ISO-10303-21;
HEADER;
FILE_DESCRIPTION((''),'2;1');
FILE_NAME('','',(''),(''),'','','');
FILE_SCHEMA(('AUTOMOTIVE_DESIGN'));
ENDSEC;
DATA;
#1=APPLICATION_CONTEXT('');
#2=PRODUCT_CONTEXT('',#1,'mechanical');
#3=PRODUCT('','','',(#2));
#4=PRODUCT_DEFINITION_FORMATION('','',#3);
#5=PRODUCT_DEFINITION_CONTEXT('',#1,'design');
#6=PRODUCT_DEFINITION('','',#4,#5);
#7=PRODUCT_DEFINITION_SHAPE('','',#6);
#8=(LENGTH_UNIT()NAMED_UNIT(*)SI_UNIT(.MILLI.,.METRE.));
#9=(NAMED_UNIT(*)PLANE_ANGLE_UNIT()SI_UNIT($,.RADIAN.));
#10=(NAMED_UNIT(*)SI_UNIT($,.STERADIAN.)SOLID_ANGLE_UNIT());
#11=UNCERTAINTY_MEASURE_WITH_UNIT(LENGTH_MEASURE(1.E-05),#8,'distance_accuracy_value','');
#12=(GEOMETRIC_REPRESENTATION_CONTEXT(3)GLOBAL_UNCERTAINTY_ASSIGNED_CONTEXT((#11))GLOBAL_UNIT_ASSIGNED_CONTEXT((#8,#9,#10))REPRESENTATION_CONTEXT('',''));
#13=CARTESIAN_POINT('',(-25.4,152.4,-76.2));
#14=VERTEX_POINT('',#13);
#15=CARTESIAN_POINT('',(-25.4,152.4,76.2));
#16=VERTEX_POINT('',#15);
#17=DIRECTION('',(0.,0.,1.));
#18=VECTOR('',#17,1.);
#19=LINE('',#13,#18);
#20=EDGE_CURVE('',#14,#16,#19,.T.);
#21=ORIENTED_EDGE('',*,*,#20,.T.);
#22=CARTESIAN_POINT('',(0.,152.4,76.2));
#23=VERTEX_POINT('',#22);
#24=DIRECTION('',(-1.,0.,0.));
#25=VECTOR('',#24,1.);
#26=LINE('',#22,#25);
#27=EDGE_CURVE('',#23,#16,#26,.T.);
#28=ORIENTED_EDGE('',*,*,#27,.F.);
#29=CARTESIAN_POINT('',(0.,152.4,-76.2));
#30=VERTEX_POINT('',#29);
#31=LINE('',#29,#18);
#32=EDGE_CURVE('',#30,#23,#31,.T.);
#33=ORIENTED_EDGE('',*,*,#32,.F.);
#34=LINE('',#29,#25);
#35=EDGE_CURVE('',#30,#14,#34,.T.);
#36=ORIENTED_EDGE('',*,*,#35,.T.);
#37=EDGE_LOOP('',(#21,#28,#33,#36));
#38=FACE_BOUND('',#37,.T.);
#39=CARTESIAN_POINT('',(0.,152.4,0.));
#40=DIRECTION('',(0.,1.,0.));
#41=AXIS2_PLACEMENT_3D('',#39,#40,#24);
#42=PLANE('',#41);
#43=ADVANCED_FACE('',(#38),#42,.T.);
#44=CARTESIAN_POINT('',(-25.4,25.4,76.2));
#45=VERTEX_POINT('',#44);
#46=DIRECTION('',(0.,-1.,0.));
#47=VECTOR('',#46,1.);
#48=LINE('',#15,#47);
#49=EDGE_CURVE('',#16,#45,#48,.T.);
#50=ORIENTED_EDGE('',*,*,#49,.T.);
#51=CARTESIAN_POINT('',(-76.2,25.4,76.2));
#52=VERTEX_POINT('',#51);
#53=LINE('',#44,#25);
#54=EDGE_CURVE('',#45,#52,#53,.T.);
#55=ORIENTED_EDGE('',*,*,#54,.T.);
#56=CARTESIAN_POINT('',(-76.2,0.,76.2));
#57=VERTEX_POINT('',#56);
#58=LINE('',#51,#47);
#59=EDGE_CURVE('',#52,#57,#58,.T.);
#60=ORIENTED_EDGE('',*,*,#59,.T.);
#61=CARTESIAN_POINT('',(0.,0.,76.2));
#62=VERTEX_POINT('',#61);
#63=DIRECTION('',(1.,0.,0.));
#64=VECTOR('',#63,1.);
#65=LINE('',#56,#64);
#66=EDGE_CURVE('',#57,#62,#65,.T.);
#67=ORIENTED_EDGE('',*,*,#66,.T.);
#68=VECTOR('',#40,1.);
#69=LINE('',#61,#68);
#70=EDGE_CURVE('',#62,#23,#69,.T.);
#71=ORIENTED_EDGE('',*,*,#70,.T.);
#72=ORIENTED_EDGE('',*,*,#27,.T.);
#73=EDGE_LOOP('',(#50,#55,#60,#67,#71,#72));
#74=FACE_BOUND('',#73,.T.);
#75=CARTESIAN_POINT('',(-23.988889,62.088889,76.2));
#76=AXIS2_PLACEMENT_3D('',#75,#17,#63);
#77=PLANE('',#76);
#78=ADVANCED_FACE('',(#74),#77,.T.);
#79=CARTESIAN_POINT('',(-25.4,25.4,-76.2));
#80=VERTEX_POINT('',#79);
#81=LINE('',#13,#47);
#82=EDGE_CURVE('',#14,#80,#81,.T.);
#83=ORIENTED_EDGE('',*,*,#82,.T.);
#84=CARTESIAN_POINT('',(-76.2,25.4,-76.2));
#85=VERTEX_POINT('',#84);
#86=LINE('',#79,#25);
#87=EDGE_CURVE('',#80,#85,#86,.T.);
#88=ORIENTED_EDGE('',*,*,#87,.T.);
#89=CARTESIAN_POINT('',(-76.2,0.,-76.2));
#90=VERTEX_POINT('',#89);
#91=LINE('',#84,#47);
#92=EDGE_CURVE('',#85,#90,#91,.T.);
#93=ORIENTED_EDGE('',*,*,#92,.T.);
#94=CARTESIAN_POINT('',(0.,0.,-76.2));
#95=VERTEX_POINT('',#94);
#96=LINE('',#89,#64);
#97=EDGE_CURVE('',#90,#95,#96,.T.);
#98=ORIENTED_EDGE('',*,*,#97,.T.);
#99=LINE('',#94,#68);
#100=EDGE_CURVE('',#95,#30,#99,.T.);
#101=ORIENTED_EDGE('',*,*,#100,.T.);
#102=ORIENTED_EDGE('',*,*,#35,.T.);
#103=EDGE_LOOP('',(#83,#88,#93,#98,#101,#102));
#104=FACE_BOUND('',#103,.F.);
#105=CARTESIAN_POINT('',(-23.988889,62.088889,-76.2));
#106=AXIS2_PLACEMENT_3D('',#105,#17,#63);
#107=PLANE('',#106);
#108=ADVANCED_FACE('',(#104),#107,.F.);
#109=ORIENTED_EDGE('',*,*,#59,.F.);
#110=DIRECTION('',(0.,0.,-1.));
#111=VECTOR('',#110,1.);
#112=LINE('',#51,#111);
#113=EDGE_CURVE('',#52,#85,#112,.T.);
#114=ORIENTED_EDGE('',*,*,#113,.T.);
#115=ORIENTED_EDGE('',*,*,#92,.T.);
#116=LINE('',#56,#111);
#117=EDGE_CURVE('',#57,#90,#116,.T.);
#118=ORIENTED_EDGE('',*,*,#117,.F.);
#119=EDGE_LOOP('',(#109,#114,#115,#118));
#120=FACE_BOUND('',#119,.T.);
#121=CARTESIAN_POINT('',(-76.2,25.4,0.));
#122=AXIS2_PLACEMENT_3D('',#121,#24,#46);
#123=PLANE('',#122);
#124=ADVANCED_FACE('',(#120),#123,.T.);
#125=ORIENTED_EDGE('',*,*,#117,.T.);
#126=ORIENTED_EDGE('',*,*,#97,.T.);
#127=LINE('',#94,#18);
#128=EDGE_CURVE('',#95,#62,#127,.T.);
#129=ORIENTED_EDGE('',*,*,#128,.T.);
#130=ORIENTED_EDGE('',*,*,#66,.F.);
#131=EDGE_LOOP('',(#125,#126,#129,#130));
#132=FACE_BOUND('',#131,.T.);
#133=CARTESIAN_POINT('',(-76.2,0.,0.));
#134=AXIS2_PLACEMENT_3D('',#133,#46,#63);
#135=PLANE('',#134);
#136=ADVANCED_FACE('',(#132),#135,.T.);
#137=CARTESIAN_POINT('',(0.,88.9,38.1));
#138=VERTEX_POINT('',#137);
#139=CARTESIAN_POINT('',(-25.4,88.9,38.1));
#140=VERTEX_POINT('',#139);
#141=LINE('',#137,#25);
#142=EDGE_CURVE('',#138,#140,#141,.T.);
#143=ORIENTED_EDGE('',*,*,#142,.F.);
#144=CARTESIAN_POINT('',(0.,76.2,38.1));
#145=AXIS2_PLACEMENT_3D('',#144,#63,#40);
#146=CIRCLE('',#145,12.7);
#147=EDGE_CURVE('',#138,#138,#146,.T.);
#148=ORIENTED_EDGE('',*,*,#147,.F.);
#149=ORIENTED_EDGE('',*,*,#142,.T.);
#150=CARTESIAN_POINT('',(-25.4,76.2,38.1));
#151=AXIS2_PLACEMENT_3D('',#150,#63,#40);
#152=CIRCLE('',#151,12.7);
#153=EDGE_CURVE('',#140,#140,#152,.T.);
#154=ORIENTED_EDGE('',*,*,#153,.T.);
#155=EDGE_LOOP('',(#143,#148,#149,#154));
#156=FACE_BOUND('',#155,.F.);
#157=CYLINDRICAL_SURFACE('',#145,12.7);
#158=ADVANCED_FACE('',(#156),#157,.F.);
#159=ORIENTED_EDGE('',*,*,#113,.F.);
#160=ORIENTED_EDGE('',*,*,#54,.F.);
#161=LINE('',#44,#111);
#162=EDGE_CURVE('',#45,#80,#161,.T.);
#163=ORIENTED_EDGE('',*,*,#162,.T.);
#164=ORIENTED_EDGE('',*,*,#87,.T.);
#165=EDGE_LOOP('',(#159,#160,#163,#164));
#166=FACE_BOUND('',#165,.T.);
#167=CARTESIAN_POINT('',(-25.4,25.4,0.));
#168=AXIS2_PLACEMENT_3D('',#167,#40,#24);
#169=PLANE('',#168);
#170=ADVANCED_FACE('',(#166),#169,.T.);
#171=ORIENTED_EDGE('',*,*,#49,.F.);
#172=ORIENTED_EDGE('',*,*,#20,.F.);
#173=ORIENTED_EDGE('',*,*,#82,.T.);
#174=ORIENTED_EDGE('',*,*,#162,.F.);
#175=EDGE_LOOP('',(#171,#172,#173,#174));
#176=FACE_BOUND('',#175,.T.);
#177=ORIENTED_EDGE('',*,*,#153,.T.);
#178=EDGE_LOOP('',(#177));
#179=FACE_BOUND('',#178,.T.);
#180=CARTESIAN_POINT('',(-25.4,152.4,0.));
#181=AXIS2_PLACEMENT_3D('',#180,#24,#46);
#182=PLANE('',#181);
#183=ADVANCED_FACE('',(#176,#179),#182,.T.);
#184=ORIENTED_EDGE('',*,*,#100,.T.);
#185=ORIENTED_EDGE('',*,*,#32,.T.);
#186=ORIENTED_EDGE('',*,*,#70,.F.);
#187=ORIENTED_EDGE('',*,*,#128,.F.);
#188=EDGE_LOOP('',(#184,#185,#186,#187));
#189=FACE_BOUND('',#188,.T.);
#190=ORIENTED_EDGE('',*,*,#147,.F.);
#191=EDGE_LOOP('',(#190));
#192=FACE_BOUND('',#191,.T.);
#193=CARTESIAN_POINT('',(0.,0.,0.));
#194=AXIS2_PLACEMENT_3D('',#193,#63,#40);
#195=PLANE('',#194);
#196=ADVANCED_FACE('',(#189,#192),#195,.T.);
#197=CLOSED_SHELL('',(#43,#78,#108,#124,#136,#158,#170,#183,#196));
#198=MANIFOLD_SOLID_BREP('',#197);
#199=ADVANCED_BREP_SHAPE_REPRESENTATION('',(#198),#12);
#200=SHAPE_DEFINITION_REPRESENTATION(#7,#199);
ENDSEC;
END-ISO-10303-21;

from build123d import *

# Parameters (mm, degrees)
F1_DEPTH = 76.2
F2_R     = 12.7
F3_DEPTH = 33.528


with BuildPart() as f1:
    # F0 (on Top) → F1 (new body, symmetric)
    with BuildSketch(Plane.XY):
        Polygon((-76.2, 0), (0, 0), (0, 152.4), (-25.4, 152.4), (-25.4, 25.4), (-76.2, 25.4), align=None)
    extrude(amount=F1_DEPTH, both=True)

    # F2 (on face) → F3 (cut)
    with BuildSketch(Plane.YZ):
        with Locations((76.2, 38.1)):
            Circle(F2_R)
    extrude(amount=-F3_DEPTH, mode=Mode.SUBTRACT)


solid = f1.part
